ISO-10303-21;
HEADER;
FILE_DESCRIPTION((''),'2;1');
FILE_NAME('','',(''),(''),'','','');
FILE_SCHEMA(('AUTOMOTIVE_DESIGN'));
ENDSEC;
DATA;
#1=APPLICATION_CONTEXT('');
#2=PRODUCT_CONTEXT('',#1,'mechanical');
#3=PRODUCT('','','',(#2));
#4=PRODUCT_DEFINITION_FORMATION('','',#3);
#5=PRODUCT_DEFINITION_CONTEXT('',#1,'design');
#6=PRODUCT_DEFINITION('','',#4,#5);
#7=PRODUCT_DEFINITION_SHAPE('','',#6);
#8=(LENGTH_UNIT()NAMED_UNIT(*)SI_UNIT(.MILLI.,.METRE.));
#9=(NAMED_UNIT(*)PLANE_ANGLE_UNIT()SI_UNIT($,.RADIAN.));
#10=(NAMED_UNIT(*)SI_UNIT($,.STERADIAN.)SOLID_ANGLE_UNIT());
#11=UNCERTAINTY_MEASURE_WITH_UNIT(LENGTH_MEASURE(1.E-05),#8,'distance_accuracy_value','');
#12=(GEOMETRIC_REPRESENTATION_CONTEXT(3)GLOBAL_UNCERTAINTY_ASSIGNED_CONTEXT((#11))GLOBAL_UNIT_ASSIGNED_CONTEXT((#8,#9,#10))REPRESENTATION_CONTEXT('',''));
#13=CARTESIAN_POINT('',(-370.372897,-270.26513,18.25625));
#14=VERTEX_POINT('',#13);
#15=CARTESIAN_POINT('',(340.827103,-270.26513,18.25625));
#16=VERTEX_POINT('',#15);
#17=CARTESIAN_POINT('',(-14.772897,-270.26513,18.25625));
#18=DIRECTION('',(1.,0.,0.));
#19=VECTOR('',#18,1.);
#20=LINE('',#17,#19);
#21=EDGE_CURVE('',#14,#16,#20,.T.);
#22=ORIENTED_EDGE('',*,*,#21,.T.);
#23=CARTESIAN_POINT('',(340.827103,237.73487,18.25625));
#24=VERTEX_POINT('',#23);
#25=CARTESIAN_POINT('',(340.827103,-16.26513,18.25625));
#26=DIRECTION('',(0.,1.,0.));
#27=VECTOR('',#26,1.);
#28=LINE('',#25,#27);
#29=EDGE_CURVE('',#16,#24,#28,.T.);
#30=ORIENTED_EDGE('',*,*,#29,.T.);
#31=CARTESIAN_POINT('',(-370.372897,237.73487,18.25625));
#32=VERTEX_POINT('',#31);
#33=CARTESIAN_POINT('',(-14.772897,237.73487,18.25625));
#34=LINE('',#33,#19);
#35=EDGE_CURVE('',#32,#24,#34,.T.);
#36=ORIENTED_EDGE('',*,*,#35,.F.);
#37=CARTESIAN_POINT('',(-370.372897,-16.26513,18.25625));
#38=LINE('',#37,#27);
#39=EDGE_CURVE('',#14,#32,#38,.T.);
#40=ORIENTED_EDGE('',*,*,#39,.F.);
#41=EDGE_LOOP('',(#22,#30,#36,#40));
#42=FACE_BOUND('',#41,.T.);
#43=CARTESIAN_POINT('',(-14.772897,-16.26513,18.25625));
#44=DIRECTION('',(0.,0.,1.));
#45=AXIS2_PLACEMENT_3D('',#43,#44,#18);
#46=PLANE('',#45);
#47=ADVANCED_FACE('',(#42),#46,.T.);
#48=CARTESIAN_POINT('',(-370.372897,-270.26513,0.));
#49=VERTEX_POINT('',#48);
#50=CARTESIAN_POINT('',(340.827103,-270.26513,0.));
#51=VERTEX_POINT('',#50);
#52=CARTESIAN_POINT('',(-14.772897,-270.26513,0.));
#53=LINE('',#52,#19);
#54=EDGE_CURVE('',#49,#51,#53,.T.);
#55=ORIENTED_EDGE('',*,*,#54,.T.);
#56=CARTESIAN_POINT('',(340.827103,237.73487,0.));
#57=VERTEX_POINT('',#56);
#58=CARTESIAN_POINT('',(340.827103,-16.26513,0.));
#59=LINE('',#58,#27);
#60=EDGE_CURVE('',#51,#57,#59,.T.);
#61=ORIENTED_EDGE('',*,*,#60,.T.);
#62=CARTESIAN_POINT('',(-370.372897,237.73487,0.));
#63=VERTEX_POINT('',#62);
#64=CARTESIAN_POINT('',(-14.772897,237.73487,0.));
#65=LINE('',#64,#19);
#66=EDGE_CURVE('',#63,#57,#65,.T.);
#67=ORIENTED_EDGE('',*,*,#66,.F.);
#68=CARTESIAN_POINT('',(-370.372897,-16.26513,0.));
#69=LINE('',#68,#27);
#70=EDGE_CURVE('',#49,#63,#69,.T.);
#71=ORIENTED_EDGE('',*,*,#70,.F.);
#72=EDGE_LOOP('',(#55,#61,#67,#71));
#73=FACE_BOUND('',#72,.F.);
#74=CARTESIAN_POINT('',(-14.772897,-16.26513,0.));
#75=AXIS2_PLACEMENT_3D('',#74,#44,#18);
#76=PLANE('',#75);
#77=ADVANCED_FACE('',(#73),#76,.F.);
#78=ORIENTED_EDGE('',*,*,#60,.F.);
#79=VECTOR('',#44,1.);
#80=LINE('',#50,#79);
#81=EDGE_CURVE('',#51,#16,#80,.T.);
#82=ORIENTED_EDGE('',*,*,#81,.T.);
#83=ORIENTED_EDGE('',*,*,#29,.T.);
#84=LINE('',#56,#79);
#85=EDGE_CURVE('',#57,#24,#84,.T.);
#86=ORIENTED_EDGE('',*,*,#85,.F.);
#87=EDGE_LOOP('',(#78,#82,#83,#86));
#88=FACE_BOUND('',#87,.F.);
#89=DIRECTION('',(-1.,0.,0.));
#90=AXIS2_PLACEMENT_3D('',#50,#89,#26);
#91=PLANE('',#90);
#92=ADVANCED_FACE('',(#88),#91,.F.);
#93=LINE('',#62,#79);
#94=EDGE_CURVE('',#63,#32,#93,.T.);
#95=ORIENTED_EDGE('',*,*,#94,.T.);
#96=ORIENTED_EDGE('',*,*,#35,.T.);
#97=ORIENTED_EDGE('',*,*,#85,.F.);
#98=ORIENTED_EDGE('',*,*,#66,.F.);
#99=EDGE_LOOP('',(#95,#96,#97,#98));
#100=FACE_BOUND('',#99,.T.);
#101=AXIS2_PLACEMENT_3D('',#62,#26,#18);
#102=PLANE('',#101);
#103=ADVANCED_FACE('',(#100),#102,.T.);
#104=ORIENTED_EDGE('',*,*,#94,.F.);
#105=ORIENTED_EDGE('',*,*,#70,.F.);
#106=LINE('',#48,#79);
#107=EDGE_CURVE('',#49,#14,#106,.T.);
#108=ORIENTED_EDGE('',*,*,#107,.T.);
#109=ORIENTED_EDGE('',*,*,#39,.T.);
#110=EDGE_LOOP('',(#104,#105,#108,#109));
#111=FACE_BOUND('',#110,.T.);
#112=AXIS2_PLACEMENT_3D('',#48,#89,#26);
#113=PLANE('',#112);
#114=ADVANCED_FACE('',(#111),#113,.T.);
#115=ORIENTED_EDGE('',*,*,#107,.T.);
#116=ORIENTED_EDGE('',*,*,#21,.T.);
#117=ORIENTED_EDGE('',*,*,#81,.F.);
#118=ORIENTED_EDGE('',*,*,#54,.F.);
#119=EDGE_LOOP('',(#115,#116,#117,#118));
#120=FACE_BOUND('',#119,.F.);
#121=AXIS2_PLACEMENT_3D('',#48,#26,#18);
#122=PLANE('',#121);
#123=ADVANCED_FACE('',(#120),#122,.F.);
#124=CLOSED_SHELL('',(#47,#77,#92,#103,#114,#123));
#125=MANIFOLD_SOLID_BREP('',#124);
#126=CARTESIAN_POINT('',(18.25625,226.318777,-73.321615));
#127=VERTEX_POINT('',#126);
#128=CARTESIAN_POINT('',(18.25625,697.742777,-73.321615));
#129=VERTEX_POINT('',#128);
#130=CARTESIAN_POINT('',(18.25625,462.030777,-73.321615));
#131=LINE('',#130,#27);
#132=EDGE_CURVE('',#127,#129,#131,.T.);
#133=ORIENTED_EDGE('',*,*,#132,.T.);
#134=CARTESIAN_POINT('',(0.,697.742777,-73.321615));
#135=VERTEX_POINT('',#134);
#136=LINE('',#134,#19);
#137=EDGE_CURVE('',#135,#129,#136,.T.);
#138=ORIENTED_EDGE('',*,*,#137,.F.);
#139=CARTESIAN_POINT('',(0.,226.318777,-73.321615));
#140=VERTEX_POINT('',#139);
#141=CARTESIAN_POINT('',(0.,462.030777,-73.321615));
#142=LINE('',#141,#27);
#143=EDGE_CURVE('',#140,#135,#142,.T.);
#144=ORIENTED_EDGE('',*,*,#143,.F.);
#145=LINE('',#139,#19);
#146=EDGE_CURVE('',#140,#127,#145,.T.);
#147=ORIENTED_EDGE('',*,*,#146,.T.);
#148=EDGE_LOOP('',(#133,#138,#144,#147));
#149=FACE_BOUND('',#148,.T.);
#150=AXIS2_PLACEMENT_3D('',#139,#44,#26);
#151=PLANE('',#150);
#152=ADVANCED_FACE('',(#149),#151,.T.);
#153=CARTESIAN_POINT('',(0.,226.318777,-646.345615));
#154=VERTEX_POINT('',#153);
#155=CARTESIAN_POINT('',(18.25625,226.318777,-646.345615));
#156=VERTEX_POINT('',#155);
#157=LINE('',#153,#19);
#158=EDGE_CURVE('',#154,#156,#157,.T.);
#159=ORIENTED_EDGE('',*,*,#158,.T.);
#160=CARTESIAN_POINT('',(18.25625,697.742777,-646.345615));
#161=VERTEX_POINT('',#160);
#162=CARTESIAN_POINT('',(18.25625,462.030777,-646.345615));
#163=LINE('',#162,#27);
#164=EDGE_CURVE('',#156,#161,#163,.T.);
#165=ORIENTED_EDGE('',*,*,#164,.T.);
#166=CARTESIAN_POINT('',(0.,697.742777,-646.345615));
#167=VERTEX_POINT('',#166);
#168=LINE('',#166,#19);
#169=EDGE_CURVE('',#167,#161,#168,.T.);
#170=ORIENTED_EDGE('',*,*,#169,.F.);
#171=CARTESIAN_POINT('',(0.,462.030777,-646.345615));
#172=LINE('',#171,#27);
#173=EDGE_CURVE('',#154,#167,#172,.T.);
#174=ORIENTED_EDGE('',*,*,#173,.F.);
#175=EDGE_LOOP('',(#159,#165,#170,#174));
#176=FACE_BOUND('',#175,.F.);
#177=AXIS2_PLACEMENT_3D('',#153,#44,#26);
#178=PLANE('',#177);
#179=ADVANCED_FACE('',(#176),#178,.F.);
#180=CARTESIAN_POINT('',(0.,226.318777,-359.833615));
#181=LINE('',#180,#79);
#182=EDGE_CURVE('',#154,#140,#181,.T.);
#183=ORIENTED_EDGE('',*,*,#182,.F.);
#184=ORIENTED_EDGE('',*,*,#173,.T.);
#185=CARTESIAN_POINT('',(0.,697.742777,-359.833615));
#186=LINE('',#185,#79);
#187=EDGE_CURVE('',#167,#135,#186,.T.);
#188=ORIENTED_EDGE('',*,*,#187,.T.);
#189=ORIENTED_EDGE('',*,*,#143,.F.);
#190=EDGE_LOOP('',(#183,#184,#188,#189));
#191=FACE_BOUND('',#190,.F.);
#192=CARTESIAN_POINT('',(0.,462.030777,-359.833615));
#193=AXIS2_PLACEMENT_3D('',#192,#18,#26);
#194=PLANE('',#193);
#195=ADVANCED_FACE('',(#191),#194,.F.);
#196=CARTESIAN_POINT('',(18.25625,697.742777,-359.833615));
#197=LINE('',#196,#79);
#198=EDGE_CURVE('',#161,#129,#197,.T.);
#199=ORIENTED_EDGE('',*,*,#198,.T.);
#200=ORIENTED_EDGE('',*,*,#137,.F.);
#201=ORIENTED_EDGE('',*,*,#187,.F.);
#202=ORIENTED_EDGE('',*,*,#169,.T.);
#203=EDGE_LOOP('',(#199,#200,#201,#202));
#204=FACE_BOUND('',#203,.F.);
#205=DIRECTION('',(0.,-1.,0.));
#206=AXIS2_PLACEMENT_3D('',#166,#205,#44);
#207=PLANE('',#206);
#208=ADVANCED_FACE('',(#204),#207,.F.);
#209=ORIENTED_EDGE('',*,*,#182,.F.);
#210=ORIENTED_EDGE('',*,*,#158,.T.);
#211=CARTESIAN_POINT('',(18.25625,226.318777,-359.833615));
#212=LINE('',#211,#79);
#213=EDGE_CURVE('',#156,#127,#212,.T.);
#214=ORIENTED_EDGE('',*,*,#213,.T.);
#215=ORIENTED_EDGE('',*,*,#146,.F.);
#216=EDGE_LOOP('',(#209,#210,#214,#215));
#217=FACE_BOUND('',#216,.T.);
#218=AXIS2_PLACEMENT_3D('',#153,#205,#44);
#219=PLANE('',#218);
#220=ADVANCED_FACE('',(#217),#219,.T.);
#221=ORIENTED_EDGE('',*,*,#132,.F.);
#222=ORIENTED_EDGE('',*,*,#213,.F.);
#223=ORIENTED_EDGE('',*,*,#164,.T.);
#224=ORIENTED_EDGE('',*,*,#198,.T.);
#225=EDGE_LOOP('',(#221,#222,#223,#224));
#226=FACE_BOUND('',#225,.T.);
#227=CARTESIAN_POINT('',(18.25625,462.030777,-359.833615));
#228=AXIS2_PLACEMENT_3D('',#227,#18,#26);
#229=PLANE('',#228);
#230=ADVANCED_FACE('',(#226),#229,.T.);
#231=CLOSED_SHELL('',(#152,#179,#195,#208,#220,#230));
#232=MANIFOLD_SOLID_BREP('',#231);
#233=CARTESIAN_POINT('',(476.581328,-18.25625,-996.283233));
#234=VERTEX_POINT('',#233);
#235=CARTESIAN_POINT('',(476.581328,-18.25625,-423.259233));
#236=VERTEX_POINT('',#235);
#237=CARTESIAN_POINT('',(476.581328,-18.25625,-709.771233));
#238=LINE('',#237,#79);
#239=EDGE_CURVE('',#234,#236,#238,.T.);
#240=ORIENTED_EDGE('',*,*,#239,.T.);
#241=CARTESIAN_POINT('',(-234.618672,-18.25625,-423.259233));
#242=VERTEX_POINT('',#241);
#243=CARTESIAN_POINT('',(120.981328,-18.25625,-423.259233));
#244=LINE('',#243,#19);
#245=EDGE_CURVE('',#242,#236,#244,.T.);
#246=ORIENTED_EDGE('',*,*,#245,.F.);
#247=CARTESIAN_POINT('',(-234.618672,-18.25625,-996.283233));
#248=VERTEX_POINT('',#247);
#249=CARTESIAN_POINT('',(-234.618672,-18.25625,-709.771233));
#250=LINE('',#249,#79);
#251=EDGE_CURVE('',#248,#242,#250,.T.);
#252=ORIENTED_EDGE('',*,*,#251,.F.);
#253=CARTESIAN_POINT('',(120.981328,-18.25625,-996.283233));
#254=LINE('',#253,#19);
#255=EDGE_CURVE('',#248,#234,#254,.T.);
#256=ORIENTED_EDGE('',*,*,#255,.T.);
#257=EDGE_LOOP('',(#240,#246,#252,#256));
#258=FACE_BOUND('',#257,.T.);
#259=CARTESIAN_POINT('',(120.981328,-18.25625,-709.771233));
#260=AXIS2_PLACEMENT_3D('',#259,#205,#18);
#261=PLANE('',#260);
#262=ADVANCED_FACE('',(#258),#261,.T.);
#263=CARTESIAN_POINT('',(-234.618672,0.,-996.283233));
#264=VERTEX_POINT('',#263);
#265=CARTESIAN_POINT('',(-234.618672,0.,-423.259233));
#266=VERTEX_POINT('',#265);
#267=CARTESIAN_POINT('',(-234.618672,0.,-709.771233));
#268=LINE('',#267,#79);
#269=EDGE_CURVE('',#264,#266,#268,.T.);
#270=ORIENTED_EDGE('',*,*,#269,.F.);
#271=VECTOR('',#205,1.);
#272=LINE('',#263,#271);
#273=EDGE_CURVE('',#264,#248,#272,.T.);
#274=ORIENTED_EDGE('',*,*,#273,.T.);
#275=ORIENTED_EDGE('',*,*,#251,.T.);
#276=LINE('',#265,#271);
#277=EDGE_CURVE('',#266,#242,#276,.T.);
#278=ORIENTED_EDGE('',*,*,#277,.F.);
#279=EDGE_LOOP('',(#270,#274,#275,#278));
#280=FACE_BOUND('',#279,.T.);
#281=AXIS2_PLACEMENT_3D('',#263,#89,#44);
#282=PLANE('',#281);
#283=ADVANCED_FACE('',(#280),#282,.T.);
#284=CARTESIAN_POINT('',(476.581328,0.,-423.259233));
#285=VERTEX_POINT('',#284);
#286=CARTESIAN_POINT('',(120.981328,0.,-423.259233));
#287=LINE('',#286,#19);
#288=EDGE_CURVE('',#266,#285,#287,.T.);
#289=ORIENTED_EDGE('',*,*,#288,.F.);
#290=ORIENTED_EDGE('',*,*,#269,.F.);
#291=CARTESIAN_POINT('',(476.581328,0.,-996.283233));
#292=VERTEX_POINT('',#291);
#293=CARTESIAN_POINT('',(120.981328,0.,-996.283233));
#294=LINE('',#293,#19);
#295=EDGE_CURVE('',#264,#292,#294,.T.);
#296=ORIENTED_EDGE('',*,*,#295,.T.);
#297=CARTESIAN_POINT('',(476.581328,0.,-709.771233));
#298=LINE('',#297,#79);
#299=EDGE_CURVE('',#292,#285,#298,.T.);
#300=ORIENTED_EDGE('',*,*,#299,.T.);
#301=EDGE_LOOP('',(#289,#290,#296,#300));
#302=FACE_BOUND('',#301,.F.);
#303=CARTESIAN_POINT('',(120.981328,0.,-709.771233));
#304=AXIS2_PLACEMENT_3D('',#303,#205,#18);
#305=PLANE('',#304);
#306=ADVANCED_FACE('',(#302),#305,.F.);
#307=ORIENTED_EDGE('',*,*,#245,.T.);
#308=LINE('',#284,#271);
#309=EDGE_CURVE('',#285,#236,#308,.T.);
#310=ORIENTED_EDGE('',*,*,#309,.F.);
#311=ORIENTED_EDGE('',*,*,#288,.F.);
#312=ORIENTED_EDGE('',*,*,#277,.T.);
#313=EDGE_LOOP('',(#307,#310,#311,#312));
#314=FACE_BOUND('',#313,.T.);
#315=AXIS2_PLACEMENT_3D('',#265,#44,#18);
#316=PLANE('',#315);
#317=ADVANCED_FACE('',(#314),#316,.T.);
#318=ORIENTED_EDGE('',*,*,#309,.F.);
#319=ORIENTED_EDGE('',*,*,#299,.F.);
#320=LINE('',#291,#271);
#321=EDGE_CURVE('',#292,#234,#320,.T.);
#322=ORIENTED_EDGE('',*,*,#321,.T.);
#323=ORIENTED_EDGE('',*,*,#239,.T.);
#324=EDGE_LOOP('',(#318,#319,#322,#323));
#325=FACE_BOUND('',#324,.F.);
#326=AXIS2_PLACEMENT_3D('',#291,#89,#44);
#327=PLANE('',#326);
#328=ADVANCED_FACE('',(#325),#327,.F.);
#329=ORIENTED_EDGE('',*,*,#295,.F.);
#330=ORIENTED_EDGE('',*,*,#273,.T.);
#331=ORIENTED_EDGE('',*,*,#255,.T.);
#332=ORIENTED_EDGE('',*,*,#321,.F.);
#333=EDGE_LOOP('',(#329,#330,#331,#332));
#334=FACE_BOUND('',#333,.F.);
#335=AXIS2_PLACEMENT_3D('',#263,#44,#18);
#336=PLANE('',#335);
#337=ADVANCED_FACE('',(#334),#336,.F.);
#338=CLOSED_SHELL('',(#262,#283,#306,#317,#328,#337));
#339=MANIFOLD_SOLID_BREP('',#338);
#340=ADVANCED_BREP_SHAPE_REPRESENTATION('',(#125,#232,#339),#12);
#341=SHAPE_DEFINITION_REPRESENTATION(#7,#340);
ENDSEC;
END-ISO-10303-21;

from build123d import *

# Parameters (mm, degrees)
F0_W     = 711.2
F0_H     = 508
F1_DEPTH = 18.25625
F2_W     = 711.2
F2_H     = 573.024
F3_DEPTH = 18.25625
F4_W     = 471.424
F4_H     = 573.024
F5_DEPTH = 18.25625


with BuildPart() as f1:
    # F0 (on Top) → F1 (new body)
    with BuildSketch(Plane.XY):
        with Locations((-14.772897, -16.26513)):
            Rectangle(F0_W, F0_H)
    extrude(amount=F1_DEPTH)


with BuildPart() as f3:
    # F2 (on Front) → F3 (new body)
    with BuildSketch(Plane.XZ):
        with Locations((120.981328, -709.771233)):
            Rectangle(F2_W, F2_H)
    extrude(amount=F3_DEPTH)


with BuildPart() as f5:
    # F4 (on Right) → F5 (new body)
    with BuildSketch(Plane.YZ):
        with Locations((462.030777, -359.833615)):
            Rectangle(F4_W, F4_H)
    extrude(amount=F5_DEPTH)


solid = Compound([f1.part, f3.part, f5.part])
